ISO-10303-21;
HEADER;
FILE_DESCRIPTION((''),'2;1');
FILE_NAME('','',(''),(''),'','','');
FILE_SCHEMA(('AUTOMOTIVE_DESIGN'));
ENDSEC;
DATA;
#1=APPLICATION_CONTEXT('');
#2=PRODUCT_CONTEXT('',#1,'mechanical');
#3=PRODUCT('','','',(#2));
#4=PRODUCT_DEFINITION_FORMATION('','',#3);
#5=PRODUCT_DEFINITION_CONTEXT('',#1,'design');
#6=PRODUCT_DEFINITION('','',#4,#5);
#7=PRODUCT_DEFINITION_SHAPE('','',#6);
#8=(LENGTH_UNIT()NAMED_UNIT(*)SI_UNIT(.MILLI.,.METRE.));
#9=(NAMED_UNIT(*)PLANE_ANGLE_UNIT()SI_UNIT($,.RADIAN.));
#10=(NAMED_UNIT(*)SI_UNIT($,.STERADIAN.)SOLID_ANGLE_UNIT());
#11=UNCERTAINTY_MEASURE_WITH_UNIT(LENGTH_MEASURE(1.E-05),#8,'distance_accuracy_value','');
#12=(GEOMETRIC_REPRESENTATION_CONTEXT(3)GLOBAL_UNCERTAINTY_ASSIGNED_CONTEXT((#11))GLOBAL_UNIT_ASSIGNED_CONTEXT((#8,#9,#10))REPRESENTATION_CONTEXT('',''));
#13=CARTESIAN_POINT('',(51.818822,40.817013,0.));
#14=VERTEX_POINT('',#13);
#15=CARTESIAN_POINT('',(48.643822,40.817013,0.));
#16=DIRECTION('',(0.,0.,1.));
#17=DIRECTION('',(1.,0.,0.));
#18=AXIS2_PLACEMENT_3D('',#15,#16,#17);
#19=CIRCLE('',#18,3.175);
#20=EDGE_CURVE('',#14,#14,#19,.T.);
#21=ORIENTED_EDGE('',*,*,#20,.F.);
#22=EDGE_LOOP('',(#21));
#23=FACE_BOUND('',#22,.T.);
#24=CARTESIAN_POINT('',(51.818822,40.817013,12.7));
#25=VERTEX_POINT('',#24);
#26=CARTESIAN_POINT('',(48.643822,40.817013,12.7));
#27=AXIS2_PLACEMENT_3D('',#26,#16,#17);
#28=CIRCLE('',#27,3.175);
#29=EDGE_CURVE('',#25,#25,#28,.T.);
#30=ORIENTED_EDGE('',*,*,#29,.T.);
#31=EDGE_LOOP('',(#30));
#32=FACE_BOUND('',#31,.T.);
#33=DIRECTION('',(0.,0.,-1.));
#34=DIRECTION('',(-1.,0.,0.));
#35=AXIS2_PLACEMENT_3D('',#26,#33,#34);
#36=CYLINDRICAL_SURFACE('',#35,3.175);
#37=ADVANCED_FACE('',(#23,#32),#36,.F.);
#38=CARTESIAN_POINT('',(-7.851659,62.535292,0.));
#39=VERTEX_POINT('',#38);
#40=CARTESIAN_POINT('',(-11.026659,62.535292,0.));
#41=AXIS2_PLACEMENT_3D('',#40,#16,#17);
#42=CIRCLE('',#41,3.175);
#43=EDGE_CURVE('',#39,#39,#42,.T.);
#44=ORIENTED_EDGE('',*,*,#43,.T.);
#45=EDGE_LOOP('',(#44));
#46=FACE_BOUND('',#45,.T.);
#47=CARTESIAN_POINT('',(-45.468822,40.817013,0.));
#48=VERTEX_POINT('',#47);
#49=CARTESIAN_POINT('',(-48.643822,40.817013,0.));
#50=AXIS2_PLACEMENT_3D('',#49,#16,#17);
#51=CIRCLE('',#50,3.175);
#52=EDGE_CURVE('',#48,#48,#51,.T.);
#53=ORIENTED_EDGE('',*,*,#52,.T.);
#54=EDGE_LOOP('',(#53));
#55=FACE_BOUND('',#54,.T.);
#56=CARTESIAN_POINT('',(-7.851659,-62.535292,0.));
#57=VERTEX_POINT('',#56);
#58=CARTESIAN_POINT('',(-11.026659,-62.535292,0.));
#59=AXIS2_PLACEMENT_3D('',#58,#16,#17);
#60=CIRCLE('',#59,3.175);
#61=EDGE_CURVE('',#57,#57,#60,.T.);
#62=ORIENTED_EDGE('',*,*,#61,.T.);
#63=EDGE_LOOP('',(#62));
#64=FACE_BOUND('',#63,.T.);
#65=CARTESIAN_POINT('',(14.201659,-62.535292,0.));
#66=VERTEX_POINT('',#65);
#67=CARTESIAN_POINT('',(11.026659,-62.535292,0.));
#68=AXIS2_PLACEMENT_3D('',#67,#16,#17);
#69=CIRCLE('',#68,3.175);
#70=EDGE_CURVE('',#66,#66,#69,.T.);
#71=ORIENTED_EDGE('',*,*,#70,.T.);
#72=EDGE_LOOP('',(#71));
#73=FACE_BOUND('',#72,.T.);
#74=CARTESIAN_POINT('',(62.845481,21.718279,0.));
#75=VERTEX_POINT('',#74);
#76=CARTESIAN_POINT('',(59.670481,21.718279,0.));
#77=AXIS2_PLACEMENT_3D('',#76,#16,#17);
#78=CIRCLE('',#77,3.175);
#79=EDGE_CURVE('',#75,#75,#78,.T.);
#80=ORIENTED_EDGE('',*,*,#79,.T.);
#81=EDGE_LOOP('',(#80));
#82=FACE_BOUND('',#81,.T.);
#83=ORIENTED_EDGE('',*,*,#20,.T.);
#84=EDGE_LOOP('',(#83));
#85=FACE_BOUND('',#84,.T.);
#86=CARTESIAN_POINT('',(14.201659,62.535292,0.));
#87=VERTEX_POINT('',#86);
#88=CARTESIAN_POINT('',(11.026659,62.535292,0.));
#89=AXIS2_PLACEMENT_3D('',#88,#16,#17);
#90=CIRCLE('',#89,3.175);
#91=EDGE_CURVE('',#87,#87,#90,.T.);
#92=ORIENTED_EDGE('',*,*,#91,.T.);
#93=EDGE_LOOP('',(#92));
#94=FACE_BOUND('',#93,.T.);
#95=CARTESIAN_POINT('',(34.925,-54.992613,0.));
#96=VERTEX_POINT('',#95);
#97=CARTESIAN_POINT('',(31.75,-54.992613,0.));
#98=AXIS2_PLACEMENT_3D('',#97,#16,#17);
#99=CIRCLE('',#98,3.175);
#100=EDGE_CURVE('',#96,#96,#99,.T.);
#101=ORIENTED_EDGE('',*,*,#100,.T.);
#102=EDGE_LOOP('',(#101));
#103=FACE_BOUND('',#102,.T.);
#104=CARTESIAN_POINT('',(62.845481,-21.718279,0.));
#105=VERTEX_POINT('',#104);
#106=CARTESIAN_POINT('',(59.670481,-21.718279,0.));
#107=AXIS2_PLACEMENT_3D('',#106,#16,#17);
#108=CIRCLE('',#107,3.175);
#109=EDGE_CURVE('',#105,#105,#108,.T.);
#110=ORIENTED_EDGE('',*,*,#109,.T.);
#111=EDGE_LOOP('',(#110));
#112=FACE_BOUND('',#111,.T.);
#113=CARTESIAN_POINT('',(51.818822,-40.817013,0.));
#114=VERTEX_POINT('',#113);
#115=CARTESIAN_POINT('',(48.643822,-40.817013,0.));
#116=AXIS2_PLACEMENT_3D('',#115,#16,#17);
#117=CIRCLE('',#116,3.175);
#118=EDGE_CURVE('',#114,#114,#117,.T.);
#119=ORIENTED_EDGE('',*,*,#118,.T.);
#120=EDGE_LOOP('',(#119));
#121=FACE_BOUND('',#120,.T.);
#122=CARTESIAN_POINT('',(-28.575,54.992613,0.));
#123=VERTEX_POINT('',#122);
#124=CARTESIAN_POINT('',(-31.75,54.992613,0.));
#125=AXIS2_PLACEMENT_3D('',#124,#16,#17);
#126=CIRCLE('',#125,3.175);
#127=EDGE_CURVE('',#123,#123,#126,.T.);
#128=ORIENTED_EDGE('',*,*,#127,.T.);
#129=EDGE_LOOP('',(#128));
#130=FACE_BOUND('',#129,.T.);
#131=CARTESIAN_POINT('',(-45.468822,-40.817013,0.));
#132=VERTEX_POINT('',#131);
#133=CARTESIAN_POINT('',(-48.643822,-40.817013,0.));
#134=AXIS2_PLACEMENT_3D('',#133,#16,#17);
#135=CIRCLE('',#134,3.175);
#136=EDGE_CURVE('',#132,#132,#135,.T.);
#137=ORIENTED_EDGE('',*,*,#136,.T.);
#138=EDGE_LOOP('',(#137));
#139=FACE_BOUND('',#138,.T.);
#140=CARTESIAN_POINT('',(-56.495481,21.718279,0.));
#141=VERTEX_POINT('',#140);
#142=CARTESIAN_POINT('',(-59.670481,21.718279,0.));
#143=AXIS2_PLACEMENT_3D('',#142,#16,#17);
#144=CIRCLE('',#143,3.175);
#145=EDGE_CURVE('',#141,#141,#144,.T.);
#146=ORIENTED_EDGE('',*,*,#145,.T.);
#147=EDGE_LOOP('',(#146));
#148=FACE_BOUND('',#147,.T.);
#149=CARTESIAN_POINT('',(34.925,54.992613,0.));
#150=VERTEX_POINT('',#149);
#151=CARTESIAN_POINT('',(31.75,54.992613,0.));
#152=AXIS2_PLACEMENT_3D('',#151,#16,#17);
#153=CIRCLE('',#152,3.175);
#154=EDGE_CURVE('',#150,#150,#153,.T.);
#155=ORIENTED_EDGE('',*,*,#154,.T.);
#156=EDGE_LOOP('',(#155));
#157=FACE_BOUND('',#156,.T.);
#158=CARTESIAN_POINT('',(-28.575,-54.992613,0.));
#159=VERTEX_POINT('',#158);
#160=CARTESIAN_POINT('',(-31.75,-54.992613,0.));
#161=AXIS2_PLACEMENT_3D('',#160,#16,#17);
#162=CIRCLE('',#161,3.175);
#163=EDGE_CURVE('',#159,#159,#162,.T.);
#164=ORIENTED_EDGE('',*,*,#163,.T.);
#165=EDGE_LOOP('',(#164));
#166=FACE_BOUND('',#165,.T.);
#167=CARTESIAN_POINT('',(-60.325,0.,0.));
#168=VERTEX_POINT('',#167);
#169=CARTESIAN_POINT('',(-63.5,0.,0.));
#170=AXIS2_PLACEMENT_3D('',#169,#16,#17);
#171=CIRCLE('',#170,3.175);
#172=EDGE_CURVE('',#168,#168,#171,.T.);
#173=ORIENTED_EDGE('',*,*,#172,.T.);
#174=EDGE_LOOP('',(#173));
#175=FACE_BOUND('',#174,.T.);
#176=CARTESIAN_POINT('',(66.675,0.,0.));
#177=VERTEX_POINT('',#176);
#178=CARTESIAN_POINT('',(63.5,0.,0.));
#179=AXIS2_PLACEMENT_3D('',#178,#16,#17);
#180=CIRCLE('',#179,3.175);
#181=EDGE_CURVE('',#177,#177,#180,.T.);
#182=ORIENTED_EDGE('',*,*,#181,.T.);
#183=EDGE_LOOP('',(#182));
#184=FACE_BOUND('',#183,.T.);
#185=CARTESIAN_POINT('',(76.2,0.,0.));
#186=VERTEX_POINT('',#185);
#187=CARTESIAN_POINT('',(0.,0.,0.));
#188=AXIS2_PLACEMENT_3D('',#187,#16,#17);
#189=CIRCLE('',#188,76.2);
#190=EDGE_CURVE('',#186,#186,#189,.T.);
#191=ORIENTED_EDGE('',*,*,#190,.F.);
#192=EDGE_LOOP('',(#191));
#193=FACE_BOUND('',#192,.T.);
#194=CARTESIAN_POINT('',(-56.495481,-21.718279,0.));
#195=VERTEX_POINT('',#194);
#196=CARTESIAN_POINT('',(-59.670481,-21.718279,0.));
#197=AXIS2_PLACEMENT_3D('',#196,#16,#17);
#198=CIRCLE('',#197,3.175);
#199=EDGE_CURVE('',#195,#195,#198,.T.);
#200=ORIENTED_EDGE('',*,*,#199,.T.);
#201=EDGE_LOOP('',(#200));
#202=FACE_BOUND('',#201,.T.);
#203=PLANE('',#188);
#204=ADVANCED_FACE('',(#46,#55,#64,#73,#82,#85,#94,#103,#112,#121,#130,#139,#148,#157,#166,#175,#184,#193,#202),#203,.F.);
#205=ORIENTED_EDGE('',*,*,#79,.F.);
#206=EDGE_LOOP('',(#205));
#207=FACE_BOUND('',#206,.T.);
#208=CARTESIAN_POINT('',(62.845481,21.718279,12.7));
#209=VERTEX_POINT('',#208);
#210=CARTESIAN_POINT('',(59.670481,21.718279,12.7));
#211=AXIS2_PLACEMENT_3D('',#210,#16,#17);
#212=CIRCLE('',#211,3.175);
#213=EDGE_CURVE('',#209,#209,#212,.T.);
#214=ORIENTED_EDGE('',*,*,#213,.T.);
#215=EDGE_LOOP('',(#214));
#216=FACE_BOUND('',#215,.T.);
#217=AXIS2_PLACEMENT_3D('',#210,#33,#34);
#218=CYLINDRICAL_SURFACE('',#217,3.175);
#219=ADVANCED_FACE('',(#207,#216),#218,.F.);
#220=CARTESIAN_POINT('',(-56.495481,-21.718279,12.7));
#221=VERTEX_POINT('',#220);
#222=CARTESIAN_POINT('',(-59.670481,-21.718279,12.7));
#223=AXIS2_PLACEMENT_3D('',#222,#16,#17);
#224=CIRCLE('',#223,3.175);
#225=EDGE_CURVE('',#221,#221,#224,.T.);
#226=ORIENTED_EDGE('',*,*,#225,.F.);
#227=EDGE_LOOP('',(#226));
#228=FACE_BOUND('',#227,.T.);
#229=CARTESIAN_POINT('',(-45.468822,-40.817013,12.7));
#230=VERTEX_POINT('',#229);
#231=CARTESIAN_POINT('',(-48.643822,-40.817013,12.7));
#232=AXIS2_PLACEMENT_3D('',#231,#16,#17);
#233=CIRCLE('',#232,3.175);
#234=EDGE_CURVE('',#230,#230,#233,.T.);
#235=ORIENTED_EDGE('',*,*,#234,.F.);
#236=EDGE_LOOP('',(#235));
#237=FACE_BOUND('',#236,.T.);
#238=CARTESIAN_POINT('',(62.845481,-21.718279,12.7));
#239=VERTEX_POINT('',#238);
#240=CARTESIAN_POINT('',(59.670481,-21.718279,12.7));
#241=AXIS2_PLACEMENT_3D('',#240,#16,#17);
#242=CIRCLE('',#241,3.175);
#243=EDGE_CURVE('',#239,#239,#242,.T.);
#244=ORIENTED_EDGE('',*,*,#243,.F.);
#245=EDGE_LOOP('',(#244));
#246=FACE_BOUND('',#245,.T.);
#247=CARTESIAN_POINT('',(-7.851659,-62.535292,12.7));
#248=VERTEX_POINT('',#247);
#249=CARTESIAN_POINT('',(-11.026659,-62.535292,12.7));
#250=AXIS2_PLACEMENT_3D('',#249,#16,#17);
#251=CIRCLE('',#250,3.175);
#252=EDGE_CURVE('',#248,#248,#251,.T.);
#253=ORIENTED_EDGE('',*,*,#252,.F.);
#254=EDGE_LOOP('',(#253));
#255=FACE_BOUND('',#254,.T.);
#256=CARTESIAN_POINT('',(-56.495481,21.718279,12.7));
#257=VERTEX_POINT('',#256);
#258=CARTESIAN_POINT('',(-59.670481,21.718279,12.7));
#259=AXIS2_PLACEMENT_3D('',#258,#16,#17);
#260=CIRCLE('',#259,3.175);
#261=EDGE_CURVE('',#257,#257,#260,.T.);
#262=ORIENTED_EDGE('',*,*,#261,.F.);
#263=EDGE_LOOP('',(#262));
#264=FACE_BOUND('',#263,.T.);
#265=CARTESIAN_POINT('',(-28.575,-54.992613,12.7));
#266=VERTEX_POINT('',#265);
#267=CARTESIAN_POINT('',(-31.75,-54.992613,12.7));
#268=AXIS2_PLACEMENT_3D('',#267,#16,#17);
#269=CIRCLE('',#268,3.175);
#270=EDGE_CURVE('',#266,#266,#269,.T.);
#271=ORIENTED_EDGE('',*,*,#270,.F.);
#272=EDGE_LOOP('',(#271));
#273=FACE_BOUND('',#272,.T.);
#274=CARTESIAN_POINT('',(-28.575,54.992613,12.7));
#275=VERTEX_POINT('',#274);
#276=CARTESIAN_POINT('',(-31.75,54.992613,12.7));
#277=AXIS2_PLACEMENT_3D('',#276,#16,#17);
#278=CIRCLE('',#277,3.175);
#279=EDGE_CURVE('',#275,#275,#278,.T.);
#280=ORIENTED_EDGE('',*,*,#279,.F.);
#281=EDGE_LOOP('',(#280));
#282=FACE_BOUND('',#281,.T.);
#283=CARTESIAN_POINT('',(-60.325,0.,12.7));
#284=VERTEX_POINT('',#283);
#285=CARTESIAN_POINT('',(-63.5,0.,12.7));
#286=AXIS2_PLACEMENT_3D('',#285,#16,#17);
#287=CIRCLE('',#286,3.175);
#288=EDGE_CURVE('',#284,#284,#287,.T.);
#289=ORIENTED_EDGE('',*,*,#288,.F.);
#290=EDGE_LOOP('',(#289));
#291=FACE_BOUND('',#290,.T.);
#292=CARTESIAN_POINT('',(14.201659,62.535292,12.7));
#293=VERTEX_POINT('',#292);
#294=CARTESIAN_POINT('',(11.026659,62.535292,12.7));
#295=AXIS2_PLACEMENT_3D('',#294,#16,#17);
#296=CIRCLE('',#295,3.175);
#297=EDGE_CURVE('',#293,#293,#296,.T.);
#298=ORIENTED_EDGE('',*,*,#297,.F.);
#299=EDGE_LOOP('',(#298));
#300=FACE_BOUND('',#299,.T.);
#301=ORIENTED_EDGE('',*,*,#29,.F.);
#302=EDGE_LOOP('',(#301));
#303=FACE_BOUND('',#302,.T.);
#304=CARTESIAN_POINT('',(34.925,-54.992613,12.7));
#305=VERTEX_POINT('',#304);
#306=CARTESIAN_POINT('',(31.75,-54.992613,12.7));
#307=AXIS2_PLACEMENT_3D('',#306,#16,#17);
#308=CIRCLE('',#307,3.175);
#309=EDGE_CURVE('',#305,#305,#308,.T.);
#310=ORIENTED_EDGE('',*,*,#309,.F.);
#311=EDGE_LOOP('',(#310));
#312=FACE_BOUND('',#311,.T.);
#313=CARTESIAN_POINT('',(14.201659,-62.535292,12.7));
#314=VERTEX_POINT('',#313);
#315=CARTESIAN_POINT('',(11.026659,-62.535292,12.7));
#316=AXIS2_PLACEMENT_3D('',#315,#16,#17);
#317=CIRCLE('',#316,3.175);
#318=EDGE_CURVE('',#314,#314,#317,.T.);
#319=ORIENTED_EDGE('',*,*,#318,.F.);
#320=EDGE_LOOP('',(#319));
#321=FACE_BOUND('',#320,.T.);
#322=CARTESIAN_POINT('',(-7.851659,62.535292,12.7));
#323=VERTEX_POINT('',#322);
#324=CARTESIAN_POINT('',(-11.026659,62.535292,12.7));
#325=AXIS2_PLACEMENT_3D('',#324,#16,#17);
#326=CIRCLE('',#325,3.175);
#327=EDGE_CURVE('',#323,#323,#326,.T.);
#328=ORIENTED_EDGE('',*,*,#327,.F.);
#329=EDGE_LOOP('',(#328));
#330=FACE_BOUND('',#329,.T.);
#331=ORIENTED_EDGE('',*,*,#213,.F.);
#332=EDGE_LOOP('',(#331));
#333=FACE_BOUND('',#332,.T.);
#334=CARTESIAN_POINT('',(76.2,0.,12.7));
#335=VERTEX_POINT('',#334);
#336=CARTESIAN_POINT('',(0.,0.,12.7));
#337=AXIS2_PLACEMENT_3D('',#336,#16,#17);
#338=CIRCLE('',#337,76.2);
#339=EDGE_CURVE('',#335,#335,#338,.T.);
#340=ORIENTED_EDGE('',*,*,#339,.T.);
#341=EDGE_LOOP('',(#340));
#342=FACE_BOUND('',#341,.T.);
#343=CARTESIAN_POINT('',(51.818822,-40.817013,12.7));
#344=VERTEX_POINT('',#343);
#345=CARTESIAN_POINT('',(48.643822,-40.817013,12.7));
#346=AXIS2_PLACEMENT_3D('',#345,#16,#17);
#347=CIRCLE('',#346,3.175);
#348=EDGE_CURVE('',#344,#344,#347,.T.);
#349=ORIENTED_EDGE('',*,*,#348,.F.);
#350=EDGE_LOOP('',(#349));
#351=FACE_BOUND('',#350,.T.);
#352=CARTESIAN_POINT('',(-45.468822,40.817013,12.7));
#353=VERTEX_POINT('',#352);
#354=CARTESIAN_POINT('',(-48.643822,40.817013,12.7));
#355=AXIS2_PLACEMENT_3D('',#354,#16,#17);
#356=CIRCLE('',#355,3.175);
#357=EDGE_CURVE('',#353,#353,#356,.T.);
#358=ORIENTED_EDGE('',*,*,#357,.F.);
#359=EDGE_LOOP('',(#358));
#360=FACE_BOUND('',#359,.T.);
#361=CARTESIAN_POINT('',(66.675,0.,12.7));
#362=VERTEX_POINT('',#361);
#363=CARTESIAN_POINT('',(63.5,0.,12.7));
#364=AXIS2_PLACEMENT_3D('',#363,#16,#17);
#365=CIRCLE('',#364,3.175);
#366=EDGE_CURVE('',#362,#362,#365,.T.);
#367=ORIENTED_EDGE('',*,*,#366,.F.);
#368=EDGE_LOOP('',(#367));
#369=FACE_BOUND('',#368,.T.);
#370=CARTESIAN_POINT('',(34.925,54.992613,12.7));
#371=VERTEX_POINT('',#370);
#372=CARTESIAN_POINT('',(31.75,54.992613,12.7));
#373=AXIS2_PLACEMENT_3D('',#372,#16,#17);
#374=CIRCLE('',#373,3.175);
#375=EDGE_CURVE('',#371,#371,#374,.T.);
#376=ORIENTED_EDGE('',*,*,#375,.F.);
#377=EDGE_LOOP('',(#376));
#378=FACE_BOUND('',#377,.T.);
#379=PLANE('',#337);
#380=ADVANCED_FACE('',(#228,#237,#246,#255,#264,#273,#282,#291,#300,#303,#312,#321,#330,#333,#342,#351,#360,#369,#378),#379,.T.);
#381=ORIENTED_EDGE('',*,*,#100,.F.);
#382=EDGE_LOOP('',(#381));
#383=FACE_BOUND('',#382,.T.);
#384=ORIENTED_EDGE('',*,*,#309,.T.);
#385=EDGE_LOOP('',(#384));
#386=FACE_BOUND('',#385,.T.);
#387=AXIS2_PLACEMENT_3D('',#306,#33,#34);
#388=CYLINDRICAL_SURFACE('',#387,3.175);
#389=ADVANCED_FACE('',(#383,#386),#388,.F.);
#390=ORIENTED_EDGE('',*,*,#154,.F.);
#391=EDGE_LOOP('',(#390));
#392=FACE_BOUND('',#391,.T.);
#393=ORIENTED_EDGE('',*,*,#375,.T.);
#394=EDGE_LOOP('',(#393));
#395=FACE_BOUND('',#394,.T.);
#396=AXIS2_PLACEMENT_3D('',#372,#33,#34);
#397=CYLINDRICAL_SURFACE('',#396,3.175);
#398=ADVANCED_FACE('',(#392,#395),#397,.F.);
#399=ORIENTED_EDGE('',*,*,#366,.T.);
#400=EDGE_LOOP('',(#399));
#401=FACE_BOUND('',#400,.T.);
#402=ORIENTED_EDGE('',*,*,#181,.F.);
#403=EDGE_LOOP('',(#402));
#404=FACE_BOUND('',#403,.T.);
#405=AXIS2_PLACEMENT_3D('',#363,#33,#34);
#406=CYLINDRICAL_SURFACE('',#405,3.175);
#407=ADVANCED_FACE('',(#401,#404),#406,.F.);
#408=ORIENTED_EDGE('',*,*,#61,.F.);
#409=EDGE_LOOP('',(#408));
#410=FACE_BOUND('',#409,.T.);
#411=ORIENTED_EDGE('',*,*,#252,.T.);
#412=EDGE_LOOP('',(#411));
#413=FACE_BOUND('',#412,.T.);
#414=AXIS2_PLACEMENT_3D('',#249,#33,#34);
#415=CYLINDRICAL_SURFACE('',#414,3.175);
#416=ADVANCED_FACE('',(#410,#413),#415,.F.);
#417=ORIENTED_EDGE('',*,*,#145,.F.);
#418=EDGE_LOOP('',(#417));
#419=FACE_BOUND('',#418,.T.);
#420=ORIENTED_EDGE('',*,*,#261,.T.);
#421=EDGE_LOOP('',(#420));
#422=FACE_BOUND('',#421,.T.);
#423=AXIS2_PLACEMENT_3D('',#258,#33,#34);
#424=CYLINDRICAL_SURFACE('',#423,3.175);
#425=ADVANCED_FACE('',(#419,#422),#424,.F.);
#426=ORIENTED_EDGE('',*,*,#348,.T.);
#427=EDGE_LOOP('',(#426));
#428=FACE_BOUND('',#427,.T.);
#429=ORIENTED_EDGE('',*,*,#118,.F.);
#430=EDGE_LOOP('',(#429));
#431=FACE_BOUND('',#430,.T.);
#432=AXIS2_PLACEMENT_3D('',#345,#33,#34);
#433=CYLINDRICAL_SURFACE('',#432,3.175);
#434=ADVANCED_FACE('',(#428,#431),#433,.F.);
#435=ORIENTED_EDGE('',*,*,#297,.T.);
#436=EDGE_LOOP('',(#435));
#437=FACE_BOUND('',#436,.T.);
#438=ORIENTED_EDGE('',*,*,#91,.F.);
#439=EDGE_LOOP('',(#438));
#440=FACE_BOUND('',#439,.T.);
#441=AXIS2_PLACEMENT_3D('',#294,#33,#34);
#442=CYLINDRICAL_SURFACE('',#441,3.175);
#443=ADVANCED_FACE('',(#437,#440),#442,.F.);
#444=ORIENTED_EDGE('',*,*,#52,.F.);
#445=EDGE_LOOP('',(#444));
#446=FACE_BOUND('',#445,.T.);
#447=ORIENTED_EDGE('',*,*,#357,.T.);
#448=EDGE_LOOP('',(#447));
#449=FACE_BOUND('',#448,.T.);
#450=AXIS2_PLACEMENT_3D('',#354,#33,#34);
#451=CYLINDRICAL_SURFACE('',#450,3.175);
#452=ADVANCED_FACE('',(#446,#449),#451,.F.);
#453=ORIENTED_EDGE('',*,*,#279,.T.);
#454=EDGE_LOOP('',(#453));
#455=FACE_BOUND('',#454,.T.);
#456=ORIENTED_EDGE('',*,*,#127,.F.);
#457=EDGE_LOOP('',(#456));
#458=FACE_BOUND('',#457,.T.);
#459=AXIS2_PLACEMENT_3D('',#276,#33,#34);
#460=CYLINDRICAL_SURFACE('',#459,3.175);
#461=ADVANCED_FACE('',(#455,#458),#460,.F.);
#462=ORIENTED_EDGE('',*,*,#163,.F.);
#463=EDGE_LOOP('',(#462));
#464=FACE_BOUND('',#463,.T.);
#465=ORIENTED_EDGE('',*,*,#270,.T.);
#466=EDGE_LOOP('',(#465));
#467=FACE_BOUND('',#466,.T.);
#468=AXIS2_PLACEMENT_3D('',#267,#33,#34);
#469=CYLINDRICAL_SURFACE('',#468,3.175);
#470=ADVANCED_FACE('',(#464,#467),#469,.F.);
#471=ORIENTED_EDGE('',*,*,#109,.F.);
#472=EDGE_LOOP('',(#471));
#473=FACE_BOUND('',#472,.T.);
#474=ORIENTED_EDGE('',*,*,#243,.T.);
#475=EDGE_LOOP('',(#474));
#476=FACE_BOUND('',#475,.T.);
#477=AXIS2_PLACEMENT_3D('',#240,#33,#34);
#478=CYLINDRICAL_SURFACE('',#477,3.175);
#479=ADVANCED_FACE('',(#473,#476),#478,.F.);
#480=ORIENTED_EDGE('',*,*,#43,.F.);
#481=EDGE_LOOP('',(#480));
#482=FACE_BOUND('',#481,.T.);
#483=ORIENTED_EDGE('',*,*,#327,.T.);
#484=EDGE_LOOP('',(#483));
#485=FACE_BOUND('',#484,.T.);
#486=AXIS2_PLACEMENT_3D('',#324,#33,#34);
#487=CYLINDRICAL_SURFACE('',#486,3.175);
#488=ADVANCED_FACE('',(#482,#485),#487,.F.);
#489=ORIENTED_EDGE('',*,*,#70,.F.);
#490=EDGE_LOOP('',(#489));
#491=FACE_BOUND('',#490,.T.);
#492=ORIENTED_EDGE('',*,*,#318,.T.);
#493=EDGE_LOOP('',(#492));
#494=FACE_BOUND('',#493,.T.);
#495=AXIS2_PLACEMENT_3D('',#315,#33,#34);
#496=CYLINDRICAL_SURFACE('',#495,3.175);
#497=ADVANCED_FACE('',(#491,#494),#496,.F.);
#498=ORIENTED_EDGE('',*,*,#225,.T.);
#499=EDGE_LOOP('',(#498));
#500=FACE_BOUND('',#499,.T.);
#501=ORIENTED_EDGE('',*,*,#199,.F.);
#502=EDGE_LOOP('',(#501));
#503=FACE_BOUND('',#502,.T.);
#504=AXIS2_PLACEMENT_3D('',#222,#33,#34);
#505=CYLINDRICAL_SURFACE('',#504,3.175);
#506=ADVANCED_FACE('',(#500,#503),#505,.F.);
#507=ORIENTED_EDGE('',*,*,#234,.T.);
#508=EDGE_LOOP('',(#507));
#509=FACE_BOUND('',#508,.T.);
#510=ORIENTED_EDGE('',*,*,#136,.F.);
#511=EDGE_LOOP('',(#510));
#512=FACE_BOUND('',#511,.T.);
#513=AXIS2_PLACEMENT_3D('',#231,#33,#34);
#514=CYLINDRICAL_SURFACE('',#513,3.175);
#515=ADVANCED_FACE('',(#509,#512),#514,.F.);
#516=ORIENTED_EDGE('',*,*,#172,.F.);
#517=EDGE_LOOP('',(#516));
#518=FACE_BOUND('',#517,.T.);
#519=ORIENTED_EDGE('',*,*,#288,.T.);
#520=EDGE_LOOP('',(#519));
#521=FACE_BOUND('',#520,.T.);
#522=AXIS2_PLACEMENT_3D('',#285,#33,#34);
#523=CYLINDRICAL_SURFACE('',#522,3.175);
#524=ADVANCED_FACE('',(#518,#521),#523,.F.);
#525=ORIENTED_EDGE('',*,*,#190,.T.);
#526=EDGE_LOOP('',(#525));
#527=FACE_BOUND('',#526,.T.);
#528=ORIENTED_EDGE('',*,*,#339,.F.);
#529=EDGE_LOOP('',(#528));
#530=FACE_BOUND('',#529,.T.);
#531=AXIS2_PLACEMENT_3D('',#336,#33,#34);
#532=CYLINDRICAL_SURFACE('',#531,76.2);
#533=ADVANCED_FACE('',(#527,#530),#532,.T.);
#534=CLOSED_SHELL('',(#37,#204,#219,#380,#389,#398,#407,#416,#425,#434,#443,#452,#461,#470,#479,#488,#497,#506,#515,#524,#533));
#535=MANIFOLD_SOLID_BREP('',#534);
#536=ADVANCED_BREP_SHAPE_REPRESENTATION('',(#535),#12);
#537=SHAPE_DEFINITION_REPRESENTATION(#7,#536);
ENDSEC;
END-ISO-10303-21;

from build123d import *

# Parameters (mm, degrees)
SKETCH1_R           = 76.2
SKETCH1_R_2         = 3.175
BOSS_EXTRUDE1_DEPTH = 12.7


with BuildPart() as part:
    # Sketch1 → Boss-Extrude1 (new body)
    with BuildSketch(Plane.XY):
        Circle(SKETCH1_R)
        with Locations((-63.5, 0)):
            Circle(SKETCH1_R_2, mode=Mode.SUBTRACT)
        with Locations((-59.67048142, 21.718279101)):
            Circle(SKETCH1_R_2, mode=Mode.SUBTRACT)
        with Locations((-48.643822138, 40.817013215)):
            Circle(SKETCH1_R_2, mode=Mode.SUBTRACT)
        with Locations((-31.75, 54.99261314)):
            Circle(SKETCH1_R_2, mode=Mode.SUBTRACT)
        with Locations((-11.026659282, 62.535292316)):
            Circle(SKETCH1_R_2, mode=Mode.SUBTRACT)
        with Locations((11.026659282, 62.535292316)):
            Circle(SKETCH1_R_2, mode=Mode.SUBTRACT)
        with Locations((31.75, 54.99261314)):
            Circle(SKETCH1_R_2, mode=Mode.SUBTRACT)
        with Locations((48.643822138, 40.817013215)):
            Circle(SKETCH1_R_2, mode=Mode.SUBTRACT)
        with Locations((59.67048142, 21.718279101)):
            Circle(SKETCH1_R_2, mode=Mode.SUBTRACT)
        with Locations((63.5, 0)):
            Circle(SKETCH1_R_2, mode=Mode.SUBTRACT)
        with Locations((59.67048142, -21.718279101)):
            Circle(SKETCH1_R_2, mode=Mode.SUBTRACT)
        with Locations((48.643822138, -40.817013215)):
            Circle(SKETCH1_R_2, mode=Mode.SUBTRACT)
        with Locations((31.75, -54.99261314)):
            Circle(SKETCH1_R_2, mode=Mode.SUBTRACT)
        with Locations((11.026659282, -62.535292316)):
            Circle(SKETCH1_R_2, mode=Mode.SUBTRACT)
        with Locations((-11.026659282, -62.535292316)):
            Circle(SKETCH1_R_2, mode=Mode.SUBTRACT)
        with Locations((-31.75, -54.99261314)):
            Circle(SKETCH1_R_2, mode=Mode.SUBTRACT)
        with Locations((-48.643822138, -40.817013215)):
            Circle(SKETCH1_R_2, mode=Mode.SUBTRACT)
        with Locations((-59.67048142, -21.718279101)):
            Circle(SKETCH1_R_2, mode=Mode.SUBTRACT)
    extrude(amount=BOSS_EXTRUDE1_DEPTH)


solid = part.part
